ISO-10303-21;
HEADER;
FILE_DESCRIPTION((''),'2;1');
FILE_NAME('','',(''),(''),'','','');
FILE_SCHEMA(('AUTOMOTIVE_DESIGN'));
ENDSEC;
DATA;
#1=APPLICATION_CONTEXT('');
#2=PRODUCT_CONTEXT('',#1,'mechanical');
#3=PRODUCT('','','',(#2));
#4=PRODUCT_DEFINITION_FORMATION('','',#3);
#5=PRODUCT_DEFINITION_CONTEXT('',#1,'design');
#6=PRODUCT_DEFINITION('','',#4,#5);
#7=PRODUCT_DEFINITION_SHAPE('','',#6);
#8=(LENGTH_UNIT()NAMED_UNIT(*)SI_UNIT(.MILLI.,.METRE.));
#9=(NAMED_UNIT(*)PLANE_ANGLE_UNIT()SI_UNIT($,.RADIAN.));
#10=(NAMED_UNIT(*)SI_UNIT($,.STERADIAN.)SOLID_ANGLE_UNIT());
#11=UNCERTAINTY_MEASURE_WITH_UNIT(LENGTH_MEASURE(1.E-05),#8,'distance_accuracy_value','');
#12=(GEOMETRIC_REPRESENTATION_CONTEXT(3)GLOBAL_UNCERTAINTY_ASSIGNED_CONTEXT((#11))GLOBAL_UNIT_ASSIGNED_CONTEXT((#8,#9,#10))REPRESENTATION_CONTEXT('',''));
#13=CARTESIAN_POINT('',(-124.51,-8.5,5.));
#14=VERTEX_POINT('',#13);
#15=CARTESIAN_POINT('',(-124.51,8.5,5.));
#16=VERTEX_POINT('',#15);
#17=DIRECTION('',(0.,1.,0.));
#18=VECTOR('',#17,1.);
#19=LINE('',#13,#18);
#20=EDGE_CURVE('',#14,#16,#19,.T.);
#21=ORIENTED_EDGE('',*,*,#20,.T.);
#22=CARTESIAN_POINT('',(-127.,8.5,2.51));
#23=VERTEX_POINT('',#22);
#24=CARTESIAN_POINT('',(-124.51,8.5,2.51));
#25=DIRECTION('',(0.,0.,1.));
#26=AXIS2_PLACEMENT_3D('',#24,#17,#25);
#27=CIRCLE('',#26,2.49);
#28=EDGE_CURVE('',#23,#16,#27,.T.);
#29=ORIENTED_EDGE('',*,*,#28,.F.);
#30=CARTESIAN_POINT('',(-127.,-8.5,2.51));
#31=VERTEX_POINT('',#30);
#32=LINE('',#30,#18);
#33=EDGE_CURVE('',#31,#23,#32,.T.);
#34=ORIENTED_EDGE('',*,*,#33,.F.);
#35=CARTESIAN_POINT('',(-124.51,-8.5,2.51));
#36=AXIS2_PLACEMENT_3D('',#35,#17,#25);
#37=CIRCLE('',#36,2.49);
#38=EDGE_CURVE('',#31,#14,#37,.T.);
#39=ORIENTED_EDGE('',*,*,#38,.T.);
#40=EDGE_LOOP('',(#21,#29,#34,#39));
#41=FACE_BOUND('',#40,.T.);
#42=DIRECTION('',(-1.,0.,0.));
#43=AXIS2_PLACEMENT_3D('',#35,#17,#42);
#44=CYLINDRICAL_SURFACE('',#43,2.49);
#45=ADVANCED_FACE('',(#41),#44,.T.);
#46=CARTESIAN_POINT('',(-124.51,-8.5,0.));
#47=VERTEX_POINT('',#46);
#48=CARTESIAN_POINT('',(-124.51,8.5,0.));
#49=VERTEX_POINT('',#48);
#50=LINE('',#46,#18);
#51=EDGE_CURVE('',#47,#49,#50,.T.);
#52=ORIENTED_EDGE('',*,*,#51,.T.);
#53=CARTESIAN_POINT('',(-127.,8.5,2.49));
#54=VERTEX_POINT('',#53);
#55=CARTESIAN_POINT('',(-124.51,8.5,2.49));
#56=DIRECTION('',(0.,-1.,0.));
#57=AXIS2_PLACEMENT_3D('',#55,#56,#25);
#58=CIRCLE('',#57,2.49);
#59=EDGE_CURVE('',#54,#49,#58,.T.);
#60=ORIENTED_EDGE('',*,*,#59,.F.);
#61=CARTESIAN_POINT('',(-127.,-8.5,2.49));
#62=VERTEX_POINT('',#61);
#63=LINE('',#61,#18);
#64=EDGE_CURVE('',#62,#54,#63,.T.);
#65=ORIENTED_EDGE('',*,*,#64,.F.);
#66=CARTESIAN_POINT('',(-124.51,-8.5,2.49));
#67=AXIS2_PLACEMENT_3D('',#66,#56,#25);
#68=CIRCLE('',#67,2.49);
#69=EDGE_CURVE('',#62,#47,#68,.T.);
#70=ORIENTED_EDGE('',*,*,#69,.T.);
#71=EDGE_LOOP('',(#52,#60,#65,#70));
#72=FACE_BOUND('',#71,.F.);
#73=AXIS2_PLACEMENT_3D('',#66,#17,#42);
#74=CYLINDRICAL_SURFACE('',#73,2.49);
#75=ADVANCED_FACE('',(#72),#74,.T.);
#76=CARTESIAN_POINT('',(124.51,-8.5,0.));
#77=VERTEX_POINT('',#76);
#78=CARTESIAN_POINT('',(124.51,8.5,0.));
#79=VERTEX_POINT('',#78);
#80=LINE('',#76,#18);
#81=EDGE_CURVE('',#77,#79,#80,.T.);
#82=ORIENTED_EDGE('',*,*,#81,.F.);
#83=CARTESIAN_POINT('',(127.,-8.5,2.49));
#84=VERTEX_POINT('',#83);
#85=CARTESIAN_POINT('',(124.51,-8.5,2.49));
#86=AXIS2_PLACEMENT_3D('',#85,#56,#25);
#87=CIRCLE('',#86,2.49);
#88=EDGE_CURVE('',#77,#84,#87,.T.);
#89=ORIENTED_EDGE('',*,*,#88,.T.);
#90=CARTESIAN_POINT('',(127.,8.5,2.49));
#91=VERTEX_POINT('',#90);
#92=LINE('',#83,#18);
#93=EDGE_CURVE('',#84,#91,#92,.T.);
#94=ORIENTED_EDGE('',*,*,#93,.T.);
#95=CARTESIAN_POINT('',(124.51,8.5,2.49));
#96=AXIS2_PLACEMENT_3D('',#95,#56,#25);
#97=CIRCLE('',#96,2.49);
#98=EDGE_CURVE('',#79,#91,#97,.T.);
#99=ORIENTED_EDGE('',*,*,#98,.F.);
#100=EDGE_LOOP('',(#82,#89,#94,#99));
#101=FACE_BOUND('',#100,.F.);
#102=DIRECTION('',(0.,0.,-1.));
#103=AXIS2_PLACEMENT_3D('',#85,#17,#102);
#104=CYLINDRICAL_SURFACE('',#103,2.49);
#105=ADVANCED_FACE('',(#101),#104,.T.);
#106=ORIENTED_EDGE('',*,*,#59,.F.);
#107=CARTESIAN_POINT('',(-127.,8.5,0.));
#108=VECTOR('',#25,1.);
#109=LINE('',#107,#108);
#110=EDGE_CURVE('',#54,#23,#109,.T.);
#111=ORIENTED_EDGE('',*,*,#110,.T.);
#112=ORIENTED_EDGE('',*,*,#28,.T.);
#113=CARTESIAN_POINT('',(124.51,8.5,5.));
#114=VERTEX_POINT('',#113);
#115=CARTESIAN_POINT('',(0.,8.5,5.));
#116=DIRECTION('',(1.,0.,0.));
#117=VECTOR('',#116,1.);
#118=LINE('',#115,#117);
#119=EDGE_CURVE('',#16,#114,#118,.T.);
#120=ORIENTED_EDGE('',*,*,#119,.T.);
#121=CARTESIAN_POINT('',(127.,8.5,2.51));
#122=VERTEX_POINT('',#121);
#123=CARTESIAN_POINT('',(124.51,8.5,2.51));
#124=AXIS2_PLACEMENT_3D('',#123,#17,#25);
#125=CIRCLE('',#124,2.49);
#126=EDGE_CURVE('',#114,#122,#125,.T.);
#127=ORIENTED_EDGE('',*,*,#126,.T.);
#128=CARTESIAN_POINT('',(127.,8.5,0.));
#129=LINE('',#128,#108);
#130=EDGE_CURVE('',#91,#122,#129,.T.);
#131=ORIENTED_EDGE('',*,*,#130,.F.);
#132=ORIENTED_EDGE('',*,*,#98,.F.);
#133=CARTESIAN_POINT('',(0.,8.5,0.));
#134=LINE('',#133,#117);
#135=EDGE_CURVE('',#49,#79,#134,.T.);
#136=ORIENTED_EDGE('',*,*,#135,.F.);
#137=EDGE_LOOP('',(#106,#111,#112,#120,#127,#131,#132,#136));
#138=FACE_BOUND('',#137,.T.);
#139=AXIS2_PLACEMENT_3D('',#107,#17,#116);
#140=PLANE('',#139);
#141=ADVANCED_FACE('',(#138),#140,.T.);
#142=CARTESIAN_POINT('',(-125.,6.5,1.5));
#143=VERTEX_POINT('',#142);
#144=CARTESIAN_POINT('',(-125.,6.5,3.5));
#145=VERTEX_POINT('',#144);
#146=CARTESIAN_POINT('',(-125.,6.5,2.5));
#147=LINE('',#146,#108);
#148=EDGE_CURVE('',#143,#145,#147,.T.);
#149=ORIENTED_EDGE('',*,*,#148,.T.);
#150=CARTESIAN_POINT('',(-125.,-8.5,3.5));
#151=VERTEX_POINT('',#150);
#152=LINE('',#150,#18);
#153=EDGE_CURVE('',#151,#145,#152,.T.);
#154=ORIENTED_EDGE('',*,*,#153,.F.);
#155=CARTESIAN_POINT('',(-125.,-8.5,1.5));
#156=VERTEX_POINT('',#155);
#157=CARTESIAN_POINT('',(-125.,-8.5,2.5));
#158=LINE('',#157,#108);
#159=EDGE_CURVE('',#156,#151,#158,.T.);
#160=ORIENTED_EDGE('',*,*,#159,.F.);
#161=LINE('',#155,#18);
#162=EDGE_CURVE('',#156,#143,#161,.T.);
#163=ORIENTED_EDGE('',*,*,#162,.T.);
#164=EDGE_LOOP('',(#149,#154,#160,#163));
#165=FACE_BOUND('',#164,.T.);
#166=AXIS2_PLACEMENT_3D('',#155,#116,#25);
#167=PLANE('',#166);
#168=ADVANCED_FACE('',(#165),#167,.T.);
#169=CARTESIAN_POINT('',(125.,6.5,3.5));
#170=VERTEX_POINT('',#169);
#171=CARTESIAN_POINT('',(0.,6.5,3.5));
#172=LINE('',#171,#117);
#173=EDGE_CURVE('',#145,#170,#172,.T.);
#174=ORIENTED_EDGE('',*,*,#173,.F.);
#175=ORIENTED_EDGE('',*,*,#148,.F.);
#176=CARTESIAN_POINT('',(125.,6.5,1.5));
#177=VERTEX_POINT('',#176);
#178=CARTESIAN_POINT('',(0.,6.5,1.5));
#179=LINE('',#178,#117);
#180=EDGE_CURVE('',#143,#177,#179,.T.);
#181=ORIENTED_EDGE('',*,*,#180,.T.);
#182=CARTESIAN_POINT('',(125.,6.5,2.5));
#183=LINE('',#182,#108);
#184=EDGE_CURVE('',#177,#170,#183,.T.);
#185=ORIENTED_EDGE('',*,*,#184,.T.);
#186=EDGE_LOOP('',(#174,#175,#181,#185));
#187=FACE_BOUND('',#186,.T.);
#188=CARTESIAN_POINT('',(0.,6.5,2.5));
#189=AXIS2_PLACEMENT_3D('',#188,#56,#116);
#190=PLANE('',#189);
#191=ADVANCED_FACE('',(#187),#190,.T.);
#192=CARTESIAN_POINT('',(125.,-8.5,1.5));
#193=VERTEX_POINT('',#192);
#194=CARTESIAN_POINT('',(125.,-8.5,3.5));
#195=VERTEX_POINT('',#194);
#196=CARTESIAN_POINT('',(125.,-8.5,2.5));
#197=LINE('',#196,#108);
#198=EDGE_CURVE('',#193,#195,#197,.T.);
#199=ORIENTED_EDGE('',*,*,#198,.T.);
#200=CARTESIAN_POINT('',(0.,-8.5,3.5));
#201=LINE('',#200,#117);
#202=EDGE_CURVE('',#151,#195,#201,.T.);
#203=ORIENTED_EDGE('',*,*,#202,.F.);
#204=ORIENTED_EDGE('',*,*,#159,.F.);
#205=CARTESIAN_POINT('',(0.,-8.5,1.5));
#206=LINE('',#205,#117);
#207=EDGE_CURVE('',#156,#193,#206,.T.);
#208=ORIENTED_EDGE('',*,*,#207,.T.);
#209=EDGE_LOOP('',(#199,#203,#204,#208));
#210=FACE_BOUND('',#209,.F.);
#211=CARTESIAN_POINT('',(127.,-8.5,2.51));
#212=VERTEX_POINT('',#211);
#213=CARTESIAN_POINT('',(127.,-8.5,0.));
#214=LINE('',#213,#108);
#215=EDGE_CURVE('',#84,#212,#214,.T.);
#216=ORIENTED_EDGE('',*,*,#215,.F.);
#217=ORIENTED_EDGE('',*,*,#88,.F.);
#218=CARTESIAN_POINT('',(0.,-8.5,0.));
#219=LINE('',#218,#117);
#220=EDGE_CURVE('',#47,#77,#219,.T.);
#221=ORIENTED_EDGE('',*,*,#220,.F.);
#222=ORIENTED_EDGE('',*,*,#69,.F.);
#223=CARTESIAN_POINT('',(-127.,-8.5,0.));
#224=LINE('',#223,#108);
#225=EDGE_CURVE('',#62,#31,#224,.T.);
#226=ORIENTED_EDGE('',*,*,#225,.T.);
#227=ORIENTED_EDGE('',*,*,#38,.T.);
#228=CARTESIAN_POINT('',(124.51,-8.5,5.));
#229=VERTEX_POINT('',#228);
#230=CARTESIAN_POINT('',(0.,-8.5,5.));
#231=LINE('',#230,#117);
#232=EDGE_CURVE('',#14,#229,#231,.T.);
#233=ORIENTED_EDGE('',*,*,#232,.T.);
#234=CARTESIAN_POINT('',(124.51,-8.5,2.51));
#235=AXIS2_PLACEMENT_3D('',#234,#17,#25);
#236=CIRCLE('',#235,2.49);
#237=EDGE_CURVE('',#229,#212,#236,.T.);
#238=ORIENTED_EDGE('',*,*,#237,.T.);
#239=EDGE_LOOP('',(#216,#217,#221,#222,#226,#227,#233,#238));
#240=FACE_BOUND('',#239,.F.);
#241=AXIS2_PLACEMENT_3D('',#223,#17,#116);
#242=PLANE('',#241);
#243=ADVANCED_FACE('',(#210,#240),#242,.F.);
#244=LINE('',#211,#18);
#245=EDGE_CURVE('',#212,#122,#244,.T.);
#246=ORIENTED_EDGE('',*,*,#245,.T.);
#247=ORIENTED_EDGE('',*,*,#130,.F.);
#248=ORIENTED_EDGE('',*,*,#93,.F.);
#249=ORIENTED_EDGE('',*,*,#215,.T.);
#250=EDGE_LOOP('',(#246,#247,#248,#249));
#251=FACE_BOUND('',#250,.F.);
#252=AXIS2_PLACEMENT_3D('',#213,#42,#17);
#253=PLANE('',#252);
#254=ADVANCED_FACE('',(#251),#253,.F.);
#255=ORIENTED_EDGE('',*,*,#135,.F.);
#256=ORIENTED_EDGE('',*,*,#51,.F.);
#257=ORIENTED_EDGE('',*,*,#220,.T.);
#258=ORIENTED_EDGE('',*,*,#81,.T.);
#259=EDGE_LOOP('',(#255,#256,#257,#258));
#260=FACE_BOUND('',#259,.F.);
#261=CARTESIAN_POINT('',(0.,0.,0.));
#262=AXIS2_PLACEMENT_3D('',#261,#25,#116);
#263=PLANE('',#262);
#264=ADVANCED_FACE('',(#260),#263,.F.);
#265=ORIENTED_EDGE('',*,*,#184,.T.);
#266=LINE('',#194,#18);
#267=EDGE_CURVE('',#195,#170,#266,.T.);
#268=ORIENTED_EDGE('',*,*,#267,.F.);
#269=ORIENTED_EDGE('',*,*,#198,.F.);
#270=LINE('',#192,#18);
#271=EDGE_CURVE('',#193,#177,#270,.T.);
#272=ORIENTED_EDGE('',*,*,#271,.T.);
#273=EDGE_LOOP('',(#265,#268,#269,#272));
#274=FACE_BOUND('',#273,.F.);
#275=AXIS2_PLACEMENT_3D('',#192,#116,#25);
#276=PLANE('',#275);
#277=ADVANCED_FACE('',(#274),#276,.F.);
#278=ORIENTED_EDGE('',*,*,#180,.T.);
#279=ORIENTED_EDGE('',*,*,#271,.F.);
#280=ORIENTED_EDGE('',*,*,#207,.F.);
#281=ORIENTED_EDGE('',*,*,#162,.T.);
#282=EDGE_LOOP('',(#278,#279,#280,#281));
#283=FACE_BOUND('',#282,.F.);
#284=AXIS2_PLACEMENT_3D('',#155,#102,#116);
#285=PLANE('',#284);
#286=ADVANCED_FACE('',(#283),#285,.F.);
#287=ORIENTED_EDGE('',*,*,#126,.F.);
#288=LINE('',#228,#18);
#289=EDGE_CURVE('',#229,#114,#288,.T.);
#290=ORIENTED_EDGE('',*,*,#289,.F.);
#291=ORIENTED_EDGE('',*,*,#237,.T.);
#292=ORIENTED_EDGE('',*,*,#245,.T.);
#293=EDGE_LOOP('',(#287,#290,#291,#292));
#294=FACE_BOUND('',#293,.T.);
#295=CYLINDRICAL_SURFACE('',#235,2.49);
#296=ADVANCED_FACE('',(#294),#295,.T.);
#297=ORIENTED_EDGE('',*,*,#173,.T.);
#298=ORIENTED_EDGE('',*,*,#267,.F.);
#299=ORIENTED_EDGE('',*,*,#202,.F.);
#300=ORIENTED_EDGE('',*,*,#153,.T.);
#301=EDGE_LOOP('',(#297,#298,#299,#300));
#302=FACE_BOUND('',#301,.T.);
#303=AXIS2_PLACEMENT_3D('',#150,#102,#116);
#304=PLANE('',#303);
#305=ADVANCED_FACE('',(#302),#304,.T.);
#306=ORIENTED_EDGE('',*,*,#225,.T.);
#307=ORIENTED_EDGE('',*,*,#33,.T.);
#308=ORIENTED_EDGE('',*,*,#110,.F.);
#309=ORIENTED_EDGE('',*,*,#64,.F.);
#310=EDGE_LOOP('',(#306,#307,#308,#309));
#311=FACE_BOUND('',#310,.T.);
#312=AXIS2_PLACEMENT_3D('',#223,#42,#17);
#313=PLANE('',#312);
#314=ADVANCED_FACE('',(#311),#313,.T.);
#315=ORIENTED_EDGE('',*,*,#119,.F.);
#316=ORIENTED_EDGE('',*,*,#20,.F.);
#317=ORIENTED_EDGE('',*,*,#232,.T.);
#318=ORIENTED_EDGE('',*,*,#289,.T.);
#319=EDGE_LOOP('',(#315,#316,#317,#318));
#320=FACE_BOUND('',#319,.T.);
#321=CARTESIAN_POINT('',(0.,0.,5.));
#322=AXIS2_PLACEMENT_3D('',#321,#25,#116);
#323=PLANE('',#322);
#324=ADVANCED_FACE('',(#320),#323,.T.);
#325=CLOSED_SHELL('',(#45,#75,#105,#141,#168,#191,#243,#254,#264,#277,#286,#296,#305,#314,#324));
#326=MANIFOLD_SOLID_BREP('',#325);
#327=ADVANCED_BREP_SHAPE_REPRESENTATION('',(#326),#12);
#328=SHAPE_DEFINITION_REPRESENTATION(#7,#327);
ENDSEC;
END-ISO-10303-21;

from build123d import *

# Parameters (mm, degrees)
SKETCH_W     = 254
SKETCH_H     = 17
PAD_DEPTH    = 5
SKETCH001_W  = 250
SKETCH001_H  = 2
POCKET_DEPTH = 15
FILLET_R     = 2.49


with BuildPart() as part:
    # Sketch → Pad (new body)
    with BuildSketch(Plane.XY):
        Rectangle(SKETCH_W, SKETCH_H)
    extrude(amount=PAD_DEPTH)

    # Sketch001 (on Face2 of Pad) → Pocket (cut)
    with BuildSketch(Plane.XZ.offset(8.5)):
        with Locations((0, 2.5)):
            Rectangle(SKETCH001_W, SKETCH001_H)
    extrude(amount=-POCKET_DEPTH, mode=Mode.SUBTRACT)

    # Fillet
    fillet_edges = [part.edges().sort_by_distance(p)[0] for p in [
        (127, 0, 5),
        (127, 0, 0),
        (-127, 0, 0),
        (-127, 0, 5),
    ]]
    fillet(fillet_edges, radius=FILLET_R)


solid = part.part
